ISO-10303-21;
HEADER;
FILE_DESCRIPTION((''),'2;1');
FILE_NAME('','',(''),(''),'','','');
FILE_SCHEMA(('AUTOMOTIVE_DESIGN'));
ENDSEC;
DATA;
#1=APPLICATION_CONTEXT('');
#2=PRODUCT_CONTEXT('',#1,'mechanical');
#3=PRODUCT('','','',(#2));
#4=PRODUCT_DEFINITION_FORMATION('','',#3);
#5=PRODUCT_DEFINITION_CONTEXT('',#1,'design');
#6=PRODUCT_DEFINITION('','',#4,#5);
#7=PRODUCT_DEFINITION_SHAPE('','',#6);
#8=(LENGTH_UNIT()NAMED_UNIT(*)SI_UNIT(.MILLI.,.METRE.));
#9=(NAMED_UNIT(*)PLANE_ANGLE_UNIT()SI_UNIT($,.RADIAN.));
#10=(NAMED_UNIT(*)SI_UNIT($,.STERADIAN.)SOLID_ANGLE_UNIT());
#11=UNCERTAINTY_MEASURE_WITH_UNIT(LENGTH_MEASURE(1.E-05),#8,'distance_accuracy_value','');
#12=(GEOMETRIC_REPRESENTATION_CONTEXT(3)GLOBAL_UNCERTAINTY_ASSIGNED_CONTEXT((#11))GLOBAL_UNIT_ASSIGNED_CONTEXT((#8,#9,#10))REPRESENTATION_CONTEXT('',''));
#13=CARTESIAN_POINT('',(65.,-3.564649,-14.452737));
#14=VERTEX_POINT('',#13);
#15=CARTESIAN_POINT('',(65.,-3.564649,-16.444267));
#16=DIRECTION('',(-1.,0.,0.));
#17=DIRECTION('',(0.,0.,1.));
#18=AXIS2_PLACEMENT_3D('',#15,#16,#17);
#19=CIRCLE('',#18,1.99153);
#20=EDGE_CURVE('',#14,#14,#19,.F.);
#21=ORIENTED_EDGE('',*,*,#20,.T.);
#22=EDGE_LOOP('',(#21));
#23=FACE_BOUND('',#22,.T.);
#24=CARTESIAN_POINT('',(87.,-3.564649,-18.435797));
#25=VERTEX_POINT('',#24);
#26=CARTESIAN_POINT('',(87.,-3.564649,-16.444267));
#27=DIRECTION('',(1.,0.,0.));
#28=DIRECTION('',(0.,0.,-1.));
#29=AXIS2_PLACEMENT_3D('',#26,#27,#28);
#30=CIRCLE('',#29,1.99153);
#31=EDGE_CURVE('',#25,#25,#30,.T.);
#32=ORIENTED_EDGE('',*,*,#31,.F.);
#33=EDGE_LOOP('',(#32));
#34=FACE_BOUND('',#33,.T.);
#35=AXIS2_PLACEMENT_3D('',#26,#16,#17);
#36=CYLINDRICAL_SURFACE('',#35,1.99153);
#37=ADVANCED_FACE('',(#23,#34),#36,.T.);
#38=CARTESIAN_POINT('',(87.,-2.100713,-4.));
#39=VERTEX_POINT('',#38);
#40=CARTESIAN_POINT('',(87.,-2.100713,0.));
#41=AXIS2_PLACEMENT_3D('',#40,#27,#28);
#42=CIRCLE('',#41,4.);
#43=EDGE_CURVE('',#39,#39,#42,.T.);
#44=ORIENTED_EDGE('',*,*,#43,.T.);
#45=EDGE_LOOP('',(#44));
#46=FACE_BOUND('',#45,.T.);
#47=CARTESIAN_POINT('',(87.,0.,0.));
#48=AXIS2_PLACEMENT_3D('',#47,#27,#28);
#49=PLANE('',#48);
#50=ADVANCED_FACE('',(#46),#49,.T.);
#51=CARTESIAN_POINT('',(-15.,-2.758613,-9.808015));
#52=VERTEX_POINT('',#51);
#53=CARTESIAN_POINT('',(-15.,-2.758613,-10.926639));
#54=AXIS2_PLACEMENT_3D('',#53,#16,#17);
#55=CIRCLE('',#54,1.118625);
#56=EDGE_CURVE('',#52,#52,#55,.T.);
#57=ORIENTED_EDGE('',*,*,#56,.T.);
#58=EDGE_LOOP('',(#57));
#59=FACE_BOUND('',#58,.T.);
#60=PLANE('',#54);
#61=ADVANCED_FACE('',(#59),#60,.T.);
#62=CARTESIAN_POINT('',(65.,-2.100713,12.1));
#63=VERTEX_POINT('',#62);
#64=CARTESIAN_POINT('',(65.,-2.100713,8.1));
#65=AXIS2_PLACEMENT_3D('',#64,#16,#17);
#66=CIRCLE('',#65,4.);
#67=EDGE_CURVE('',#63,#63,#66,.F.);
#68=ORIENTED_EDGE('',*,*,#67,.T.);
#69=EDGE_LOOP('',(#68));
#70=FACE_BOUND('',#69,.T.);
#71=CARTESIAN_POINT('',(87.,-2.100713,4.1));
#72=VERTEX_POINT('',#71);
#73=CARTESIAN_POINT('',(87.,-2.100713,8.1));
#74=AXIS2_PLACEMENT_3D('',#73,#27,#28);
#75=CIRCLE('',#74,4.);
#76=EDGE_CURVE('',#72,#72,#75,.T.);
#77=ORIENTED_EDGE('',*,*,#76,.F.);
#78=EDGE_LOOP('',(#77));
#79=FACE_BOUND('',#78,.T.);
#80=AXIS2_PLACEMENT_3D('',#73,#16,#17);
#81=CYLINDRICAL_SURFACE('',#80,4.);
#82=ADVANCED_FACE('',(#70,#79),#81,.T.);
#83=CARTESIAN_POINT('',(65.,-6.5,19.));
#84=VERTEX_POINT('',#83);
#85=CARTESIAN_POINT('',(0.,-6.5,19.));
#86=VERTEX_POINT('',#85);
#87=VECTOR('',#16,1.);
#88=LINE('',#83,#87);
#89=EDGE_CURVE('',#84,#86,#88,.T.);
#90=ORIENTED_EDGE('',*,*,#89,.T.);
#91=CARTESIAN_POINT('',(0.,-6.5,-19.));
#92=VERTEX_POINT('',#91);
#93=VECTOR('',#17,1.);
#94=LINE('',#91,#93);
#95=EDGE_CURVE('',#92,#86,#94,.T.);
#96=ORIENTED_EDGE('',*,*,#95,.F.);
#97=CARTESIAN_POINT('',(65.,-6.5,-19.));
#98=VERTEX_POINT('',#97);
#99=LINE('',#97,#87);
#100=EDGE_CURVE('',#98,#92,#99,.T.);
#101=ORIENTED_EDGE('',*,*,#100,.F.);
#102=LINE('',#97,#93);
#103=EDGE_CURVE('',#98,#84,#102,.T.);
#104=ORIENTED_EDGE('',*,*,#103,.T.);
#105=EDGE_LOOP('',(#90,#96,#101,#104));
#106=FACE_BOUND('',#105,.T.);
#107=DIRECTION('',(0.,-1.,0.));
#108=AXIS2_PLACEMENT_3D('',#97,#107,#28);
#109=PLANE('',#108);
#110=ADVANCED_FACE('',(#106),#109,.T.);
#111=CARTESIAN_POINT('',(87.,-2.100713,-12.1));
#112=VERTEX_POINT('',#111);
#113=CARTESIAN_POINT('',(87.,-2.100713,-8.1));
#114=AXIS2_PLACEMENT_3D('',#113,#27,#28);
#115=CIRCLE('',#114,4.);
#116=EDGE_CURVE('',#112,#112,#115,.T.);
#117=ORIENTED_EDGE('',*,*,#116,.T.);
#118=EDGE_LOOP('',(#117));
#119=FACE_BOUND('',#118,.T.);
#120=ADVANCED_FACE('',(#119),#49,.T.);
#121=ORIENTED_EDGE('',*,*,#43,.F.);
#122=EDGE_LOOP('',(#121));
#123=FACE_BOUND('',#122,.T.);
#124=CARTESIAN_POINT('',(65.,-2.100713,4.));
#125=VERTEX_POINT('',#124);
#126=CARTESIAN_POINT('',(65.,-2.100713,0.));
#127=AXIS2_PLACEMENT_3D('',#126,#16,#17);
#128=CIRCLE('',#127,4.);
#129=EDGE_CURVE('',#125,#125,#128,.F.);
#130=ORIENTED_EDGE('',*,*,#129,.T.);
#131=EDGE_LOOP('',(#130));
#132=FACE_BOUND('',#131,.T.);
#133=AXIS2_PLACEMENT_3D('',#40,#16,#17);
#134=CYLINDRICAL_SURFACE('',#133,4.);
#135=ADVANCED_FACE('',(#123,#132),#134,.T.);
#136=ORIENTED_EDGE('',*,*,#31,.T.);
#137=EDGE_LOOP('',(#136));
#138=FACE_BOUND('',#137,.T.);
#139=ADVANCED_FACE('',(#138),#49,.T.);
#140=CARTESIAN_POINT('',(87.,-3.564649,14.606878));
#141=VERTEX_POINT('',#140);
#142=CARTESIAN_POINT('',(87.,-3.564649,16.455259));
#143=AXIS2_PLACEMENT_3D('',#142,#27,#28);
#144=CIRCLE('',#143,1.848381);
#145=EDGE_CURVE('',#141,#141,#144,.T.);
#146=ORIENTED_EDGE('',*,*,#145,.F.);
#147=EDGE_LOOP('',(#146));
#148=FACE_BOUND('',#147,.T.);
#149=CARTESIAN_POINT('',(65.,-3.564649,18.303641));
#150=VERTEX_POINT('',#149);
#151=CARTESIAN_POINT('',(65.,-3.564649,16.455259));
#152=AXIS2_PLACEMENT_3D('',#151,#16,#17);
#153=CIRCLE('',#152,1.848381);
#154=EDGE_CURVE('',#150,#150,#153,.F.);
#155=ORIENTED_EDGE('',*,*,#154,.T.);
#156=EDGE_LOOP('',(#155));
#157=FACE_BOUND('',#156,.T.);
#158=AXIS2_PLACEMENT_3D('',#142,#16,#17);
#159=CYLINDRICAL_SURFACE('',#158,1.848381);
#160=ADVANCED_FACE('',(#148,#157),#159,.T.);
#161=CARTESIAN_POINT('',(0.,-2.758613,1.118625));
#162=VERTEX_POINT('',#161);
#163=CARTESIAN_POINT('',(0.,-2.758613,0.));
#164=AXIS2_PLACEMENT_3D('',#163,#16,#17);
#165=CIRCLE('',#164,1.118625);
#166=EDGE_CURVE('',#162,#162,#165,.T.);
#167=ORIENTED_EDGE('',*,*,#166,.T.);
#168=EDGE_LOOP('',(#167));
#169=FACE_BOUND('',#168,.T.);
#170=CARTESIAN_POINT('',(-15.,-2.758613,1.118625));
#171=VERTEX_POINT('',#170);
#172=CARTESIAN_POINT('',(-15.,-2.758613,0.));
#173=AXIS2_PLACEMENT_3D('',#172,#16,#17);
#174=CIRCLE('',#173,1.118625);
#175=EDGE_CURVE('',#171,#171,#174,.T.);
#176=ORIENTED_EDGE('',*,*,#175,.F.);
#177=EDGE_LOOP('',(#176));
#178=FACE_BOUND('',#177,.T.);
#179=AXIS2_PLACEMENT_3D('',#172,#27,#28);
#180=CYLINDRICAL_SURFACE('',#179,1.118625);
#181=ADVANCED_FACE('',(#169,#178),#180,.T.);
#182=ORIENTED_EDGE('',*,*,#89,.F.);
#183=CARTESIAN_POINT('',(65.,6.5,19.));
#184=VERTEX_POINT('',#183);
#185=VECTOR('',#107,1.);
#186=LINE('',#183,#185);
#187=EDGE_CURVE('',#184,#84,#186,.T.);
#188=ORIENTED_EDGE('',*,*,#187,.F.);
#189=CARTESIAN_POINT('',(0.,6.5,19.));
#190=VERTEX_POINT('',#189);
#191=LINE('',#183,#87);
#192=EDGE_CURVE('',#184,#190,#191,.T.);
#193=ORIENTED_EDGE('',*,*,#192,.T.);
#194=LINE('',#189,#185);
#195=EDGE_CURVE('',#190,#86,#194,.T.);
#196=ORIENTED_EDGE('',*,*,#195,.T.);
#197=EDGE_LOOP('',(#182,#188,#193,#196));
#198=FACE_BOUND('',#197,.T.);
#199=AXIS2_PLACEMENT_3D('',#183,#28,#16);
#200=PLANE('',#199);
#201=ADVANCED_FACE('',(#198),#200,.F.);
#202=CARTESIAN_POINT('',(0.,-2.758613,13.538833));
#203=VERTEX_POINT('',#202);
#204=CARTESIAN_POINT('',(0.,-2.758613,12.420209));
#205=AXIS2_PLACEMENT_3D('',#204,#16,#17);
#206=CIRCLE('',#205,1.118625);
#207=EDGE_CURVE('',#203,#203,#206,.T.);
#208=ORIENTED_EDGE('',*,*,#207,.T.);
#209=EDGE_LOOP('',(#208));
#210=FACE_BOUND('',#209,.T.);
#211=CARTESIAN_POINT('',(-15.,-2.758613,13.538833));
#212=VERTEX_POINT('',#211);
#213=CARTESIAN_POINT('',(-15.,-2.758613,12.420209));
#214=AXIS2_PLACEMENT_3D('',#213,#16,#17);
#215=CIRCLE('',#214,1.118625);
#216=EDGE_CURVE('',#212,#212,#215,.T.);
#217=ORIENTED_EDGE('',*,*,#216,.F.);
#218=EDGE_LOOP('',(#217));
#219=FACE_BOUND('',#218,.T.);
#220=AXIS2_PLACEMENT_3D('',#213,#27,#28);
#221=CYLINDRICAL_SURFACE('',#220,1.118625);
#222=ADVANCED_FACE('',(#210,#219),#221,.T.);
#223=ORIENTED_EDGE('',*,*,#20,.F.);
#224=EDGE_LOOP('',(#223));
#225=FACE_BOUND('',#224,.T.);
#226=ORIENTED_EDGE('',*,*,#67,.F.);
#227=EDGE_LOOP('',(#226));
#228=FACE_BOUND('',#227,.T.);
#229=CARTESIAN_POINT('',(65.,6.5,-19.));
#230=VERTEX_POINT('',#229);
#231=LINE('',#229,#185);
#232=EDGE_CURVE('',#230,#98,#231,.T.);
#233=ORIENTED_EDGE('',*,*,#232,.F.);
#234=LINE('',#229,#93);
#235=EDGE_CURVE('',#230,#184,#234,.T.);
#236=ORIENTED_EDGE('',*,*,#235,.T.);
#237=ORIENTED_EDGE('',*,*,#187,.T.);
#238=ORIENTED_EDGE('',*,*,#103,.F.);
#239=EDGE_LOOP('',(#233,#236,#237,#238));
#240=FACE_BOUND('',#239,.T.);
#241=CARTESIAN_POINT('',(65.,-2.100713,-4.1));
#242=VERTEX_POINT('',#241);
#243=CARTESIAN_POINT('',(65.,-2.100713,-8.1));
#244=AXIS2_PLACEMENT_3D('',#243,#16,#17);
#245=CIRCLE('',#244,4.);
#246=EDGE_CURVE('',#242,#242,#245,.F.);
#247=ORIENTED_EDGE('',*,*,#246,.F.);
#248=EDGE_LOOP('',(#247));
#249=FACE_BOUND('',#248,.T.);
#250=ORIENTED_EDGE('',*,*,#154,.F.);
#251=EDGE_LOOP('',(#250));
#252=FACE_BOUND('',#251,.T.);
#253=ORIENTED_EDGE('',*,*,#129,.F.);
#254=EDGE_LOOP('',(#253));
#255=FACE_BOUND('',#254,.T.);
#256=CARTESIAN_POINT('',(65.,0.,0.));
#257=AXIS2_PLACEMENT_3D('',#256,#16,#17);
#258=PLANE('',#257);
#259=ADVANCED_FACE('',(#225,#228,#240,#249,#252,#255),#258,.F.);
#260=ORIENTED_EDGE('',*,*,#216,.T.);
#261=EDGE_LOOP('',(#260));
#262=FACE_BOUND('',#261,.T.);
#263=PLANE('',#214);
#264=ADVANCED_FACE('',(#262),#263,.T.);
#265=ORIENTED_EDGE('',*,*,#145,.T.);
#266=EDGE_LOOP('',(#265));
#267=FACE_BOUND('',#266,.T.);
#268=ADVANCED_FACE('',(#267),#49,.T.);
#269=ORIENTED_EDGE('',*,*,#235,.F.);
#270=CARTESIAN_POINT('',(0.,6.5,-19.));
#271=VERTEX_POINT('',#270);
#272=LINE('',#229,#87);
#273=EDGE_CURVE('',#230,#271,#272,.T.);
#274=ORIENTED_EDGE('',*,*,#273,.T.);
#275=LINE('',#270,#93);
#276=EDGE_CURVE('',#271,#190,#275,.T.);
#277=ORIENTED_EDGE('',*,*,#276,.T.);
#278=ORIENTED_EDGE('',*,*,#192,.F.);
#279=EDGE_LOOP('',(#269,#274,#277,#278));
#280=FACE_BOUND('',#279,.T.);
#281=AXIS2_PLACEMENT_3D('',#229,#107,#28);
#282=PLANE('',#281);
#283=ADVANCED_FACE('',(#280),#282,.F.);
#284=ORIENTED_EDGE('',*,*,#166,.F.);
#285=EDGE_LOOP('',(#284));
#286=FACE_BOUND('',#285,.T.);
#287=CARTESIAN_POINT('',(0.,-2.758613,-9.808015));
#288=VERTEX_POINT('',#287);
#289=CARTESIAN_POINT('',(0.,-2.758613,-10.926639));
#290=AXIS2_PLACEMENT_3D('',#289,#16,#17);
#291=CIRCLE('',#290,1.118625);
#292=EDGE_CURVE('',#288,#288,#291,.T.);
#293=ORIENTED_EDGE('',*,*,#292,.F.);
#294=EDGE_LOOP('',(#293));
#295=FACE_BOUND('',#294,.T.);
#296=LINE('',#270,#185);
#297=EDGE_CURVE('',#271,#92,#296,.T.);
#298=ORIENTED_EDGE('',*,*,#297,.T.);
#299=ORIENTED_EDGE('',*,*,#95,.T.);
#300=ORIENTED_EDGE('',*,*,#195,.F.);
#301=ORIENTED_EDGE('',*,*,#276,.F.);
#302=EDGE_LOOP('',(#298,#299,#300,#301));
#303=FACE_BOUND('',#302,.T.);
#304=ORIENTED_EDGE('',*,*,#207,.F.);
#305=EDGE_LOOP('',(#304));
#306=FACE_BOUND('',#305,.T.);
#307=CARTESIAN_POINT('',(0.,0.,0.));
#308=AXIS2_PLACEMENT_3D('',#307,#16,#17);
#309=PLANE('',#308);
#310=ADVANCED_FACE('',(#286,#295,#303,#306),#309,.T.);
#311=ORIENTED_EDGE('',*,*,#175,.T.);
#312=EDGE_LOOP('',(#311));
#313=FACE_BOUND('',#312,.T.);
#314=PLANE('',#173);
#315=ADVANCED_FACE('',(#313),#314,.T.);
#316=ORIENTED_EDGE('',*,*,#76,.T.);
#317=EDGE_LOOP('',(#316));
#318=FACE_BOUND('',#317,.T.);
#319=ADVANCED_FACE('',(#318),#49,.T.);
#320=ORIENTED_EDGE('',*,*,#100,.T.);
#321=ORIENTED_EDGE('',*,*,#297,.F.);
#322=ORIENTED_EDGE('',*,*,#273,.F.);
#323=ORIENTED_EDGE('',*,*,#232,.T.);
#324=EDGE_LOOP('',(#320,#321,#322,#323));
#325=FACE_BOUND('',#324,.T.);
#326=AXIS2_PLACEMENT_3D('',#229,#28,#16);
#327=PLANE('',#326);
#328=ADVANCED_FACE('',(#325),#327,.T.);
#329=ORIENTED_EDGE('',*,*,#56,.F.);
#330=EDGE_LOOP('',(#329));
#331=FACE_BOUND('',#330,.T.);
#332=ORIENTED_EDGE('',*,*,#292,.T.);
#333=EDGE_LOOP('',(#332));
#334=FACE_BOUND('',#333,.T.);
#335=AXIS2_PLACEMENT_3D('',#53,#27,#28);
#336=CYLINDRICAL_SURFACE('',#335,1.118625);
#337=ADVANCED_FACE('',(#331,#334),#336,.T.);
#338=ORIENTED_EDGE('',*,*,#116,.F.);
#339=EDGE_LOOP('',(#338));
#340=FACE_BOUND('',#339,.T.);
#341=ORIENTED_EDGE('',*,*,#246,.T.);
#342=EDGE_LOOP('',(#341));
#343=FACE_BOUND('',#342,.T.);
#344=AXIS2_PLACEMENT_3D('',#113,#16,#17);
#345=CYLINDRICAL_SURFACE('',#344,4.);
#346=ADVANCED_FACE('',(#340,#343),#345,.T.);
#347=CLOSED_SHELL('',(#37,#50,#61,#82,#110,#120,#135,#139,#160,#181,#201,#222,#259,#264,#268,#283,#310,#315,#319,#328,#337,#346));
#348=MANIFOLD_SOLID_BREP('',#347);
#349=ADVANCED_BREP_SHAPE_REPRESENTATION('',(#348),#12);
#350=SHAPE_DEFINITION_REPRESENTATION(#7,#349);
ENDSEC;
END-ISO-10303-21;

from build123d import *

# Parameters (mm, degrees)
SKETCH1_W           = 38
SKETCH1_H           = 13
BOSS_EXTRUDE1_DEPTH = 65
SKETCH2_R           = 1.848381342
SKETCH2_R_2         = 4
SKETCH2_R_3         = 1.991530231
BOSS_EXTRUDE4_DEPTH = 22
SKETCH3_R           = 1.118624503
BOSS_EXTRUDE5_DEPTH = 15


with BuildPart() as part:
    # Sketch1 → Boss-Extrude1 (new body)
    with BuildSketch(Plane(origin=(0, 0, 0), x_dir=(0, 0, -1), z_dir=(1, 0, 0))):
        Rectangle(SKETCH1_W, SKETCH1_H)
    extrude(amount=BOSS_EXTRUDE1_DEPTH)

    # Sketch2 → Boss-Extrude4 (add)
    with BuildSketch(Plane(origin=(65, 0, 0), x_dir=(0, 0, -1), z_dir=(1, 0, 0))):
        with Locations(Location((-16.455259224, -3.564649458, 0), (0, 0, 180))):
            Circle(SKETCH2_R)
        with Locations(Location((-8.1, -2.100713402, 0), (0, 0, 180))):
            Circle(SKETCH2_R_2)
        with Locations(Location((0, -2.100713402, 0), (0, 0, 180))):
            Circle(SKETCH2_R_2)
        with Locations(Location((8.1, -2.100713402, 0), (0, 0, 180))):
            Circle(SKETCH2_R_2)
        with Locations(Location((16.444267151, -3.564649458, 0), (0, 0, 180))):
            Circle(SKETCH2_R_3)
    extrude(amount=BOSS_EXTRUDE4_DEPTH)

    # Sketch3 → Boss-Extrude5 (add)
    with BuildSketch(Plane.ZY):
        with Locations((-10.926639498, -2.758613366)):
            Circle(SKETCH3_R)
        with Locations((0, -2.758613366)):
            Circle(SKETCH3_R)
        with Locations((12.420208926, -2.758613366)):
            Circle(SKETCH3_R)
    extrude(amount=BOSS_EXTRUDE5_DEPTH)


solid = part.part
